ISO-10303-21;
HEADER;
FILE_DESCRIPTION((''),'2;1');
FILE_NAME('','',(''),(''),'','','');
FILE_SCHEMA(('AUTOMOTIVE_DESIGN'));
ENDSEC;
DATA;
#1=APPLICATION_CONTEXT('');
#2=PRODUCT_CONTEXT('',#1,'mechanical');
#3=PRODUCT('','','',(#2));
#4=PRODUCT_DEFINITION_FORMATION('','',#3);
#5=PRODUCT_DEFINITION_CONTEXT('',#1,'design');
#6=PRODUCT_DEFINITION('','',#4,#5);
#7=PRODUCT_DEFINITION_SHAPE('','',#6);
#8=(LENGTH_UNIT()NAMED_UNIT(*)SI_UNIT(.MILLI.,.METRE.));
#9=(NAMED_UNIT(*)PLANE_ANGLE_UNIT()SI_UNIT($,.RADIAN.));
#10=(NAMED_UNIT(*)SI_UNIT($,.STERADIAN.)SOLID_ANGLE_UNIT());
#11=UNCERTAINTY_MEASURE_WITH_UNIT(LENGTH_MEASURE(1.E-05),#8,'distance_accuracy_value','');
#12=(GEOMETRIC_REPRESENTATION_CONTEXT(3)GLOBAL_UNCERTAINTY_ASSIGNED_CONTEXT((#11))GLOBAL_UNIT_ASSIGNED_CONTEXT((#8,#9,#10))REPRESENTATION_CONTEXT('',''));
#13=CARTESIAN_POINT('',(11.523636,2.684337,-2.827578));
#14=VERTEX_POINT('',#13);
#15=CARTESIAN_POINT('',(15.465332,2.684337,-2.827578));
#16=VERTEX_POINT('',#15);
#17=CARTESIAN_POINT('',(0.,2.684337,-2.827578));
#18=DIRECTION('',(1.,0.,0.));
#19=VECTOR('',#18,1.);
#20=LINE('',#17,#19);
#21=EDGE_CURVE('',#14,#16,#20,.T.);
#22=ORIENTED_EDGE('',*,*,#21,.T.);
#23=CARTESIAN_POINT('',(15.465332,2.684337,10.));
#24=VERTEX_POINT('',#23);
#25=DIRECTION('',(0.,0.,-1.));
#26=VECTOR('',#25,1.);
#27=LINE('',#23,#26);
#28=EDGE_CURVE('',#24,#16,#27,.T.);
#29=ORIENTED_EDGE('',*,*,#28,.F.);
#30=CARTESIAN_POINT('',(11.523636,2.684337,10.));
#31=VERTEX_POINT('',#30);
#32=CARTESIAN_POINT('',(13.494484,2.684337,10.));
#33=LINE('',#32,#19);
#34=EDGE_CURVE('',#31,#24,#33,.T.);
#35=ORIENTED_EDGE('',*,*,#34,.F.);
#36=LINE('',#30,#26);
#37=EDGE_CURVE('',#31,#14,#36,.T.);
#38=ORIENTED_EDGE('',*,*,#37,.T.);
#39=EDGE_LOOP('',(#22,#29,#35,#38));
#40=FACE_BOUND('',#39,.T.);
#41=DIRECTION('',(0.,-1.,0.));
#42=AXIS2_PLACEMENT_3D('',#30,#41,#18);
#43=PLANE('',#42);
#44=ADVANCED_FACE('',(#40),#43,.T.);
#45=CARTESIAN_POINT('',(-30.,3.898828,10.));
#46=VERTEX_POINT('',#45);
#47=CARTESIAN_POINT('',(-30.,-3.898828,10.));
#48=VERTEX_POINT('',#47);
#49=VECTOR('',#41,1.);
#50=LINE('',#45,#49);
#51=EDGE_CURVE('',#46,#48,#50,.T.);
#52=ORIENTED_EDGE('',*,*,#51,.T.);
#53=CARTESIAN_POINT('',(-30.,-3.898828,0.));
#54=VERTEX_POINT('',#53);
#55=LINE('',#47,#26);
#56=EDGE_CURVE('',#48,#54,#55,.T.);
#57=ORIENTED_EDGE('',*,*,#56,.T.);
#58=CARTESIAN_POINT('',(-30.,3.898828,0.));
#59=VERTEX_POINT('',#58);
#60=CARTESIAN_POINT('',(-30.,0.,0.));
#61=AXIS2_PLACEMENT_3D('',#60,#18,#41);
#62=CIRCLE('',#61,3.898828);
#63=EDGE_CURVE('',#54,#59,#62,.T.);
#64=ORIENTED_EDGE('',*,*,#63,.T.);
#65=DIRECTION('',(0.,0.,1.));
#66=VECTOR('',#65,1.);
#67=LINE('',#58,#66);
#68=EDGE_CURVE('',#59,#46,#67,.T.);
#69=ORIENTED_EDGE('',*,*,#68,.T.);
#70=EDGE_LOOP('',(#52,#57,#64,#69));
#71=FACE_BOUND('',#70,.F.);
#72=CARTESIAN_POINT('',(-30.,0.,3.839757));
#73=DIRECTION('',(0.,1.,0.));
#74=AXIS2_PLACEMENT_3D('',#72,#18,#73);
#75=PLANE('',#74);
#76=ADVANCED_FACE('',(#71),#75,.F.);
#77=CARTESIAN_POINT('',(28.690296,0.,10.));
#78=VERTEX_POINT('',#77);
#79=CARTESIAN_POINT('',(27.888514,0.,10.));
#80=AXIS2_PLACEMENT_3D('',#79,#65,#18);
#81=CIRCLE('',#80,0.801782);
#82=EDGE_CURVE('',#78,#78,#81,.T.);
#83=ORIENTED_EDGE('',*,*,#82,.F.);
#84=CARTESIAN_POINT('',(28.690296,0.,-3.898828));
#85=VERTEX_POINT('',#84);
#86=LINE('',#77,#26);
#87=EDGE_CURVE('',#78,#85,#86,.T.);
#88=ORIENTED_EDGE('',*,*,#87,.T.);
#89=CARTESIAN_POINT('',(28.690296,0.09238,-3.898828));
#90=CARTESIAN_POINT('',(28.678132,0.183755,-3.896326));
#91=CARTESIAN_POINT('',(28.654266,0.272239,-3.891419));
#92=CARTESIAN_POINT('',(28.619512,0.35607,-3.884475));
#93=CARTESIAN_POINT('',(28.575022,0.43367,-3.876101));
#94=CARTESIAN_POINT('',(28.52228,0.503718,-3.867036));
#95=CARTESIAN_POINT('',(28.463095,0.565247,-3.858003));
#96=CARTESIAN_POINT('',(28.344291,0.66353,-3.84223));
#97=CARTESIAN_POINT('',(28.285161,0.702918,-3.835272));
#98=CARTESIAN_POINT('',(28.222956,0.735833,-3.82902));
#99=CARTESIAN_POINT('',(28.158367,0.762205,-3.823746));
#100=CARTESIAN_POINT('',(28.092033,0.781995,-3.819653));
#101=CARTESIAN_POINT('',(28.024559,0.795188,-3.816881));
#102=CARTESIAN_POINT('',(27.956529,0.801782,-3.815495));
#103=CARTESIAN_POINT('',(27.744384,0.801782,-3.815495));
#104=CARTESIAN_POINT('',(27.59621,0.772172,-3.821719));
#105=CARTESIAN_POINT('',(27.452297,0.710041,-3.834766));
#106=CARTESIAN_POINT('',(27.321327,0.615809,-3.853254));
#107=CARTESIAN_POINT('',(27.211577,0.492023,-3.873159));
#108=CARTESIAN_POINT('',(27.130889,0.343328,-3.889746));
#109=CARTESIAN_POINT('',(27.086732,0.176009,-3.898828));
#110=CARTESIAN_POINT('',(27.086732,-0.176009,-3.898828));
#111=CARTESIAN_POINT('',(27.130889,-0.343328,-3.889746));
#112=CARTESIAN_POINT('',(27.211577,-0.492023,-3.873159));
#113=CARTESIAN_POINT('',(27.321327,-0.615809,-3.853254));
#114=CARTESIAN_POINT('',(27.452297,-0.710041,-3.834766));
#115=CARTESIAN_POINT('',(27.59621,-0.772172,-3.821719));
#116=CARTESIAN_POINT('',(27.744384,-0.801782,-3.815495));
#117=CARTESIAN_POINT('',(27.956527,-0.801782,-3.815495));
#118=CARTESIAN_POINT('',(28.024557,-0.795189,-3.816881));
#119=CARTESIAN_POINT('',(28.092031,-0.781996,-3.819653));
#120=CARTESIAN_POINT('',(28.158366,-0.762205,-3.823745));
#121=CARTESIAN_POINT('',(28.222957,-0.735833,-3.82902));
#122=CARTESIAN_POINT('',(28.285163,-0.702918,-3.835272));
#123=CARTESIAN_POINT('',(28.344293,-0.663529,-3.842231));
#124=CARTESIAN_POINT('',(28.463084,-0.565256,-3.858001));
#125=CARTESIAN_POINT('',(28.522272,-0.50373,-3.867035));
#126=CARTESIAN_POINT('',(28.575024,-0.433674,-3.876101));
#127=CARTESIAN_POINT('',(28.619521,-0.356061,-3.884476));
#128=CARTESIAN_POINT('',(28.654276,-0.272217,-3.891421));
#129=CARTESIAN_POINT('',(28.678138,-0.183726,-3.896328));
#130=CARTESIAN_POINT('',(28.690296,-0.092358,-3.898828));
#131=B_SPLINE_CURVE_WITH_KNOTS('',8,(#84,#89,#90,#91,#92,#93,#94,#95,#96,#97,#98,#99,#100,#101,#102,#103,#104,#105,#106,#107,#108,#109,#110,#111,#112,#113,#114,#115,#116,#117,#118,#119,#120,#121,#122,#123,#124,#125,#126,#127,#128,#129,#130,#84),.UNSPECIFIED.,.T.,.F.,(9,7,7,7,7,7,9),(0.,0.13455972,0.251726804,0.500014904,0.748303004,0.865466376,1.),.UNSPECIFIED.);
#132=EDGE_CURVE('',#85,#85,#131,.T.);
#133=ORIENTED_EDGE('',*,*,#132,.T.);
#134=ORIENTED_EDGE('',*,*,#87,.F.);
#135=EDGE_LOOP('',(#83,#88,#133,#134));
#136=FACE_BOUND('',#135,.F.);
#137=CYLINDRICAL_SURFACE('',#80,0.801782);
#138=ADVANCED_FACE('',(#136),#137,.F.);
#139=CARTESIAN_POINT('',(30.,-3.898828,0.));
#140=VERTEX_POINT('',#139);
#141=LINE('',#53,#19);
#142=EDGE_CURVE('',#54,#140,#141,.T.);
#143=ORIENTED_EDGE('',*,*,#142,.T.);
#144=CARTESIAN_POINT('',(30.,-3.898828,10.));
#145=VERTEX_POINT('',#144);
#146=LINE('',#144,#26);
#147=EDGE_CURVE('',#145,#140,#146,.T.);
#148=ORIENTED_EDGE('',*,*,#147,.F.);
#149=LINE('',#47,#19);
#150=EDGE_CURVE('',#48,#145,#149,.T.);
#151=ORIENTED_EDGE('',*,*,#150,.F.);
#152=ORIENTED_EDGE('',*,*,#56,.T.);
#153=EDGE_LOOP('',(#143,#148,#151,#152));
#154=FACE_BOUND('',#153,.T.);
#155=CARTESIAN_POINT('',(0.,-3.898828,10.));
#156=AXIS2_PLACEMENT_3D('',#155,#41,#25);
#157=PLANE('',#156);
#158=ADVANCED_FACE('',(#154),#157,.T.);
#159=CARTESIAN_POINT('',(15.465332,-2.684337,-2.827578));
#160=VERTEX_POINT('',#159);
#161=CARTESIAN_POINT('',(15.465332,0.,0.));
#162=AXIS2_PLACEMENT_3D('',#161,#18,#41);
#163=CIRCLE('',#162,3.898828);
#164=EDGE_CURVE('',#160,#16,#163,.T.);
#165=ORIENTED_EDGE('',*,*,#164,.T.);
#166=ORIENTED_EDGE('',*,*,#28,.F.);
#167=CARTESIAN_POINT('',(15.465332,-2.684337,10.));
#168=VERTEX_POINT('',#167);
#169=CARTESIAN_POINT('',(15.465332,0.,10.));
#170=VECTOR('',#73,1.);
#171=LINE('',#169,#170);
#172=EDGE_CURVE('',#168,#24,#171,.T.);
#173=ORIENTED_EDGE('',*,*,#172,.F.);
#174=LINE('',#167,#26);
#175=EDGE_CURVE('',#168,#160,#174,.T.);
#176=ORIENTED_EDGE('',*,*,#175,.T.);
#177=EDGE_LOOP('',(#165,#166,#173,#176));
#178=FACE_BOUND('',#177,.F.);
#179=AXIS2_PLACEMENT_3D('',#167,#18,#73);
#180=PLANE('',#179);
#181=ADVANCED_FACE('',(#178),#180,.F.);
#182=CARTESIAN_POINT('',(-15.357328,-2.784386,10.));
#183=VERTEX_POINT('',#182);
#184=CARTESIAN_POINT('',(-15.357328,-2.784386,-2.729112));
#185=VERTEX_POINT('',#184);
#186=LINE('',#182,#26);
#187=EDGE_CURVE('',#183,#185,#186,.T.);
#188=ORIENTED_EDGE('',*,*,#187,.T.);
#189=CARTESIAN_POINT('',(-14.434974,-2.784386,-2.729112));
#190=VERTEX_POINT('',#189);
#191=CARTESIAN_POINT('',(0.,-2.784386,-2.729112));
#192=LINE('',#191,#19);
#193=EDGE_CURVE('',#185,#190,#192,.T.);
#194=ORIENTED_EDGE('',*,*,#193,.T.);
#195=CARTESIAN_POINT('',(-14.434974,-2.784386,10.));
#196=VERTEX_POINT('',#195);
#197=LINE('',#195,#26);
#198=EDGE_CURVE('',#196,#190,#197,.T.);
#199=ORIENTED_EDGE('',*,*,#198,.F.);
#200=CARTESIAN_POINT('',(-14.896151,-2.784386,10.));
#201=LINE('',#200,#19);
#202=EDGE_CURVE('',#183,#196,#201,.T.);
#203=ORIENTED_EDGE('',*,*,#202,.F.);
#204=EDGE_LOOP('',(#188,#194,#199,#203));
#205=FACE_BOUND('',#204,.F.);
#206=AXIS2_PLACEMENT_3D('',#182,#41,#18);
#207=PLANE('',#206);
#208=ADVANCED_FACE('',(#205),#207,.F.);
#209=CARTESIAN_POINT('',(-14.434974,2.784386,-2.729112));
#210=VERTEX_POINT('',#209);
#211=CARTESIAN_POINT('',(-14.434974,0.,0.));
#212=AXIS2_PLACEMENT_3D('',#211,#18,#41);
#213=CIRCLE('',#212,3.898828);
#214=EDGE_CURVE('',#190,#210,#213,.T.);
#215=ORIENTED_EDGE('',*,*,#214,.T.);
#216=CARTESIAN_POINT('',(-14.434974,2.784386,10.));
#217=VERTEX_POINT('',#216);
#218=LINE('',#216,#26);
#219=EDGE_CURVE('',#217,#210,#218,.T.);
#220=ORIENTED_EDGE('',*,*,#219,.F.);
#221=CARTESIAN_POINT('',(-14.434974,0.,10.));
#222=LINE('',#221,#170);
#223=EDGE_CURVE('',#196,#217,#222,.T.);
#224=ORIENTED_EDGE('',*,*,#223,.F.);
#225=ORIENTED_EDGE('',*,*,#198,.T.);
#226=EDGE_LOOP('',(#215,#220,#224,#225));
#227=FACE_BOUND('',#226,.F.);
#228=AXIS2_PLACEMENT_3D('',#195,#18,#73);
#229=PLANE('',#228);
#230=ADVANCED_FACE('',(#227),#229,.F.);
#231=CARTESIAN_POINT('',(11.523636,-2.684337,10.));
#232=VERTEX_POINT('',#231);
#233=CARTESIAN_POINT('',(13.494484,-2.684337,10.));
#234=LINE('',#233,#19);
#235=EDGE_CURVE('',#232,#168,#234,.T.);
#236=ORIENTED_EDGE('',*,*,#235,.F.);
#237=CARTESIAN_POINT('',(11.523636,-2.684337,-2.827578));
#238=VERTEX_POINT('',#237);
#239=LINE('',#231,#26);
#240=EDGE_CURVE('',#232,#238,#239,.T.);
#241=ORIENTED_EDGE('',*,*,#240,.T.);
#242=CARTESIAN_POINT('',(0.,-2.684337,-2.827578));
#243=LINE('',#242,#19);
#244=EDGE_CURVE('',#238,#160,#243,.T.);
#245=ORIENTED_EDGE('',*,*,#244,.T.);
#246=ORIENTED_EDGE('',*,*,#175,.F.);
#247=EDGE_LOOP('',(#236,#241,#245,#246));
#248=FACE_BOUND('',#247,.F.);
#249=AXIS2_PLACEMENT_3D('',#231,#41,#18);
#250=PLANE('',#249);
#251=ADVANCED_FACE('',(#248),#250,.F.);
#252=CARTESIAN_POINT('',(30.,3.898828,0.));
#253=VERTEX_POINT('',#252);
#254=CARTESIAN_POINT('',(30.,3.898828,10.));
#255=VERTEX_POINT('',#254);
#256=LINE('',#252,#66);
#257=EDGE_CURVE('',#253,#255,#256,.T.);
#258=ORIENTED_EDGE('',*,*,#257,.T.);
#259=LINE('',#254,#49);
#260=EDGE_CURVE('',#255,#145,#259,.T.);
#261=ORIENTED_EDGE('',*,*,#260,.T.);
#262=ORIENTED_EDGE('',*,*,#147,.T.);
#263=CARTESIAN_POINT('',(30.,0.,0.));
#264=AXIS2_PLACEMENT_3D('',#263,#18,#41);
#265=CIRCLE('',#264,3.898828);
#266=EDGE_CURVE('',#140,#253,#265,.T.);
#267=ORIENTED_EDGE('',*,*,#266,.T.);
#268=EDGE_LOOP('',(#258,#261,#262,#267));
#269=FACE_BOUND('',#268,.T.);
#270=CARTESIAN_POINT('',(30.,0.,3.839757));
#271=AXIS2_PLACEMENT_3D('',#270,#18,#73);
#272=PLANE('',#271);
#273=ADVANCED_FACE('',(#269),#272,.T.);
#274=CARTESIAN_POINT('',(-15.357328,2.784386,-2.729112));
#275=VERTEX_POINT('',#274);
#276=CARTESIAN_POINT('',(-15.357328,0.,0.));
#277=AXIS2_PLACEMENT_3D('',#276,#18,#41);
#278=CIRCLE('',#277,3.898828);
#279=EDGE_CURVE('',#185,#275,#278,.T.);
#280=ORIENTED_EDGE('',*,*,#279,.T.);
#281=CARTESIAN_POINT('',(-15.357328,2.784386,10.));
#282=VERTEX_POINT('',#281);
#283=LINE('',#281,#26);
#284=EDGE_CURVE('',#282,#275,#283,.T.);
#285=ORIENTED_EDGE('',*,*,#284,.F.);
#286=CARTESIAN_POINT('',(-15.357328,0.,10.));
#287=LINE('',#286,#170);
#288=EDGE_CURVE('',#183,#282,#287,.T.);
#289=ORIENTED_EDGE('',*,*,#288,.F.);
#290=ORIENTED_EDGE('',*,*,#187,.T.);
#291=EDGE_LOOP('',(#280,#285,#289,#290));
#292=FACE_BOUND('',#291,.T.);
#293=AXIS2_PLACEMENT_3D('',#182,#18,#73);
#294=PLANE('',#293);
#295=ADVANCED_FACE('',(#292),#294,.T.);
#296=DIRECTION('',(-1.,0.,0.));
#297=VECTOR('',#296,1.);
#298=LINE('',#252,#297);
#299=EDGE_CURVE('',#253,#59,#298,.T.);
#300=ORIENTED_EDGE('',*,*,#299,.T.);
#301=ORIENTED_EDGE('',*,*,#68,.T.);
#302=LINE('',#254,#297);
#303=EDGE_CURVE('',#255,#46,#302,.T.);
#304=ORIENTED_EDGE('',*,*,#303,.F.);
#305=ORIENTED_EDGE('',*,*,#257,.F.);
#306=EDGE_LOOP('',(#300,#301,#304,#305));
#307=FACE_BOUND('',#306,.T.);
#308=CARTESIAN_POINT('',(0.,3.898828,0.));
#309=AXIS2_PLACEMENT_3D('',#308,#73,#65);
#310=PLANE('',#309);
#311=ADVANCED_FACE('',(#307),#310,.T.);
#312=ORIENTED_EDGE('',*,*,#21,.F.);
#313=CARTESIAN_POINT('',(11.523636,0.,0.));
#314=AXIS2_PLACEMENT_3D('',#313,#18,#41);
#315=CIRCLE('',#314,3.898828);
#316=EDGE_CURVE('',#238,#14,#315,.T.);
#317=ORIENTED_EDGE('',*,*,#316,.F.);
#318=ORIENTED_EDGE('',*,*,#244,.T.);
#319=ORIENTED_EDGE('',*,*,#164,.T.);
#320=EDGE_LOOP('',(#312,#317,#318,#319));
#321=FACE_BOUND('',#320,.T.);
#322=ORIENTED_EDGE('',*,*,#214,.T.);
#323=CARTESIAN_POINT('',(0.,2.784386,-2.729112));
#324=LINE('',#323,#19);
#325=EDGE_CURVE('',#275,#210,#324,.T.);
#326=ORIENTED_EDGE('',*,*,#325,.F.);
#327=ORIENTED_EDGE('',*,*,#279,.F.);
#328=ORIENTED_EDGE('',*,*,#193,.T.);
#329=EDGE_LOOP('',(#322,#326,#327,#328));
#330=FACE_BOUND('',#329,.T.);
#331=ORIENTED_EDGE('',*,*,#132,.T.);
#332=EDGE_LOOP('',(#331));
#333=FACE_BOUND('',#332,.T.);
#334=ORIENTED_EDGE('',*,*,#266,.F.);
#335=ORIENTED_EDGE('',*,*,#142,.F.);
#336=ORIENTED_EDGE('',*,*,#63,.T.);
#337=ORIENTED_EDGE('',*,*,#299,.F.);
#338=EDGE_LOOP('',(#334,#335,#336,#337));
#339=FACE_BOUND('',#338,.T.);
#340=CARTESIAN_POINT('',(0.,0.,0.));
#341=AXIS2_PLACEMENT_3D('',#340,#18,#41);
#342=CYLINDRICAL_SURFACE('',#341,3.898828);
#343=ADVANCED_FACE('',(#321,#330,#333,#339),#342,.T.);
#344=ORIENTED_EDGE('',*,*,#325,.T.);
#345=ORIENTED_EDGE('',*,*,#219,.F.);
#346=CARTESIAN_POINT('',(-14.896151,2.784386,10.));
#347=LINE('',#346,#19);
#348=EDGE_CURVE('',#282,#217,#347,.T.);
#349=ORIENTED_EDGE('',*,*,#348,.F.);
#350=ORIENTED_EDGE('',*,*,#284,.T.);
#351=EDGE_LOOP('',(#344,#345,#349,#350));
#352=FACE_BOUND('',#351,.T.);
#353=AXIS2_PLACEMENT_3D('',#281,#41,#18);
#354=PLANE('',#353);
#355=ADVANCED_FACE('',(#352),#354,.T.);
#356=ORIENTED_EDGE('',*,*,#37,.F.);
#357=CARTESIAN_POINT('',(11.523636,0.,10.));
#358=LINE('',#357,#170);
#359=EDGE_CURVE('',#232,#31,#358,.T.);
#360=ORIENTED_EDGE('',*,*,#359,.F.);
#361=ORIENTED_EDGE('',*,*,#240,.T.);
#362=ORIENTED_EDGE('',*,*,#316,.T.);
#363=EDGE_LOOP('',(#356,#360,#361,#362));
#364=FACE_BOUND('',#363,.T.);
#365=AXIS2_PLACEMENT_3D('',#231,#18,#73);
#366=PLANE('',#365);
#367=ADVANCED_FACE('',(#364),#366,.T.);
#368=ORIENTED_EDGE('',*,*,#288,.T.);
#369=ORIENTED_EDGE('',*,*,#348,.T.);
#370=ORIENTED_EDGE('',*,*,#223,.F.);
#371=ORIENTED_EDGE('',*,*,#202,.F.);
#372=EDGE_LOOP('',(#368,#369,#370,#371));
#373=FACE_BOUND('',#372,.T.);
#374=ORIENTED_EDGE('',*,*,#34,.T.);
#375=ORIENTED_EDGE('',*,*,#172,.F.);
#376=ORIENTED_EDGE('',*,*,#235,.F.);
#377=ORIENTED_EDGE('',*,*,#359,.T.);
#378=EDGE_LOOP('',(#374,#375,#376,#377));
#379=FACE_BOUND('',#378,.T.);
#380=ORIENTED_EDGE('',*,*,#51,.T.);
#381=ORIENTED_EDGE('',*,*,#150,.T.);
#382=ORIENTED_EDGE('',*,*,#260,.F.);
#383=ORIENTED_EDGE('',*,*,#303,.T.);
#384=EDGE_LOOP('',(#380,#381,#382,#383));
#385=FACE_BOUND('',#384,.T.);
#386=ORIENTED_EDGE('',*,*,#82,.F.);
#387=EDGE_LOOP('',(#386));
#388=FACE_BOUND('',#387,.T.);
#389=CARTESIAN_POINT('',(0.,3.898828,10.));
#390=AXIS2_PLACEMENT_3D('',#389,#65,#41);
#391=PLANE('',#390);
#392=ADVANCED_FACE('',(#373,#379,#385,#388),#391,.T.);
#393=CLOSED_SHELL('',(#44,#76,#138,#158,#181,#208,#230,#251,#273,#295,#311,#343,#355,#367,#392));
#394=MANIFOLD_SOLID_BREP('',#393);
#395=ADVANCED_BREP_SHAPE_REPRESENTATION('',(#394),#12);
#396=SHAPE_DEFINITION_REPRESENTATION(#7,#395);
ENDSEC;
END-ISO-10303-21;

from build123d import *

# Parameters (mm, degrees)
F1_DEPTH = 30
F2_W     = 0.922354
F2_H     = 5.568772
F5_DEPTH = 13.899828
F3_W     = 3.941696
F3_H     = 5.368674
F6_DEPTH = 13.899828
F4_R     = 0.801782
F7_DEPTH = 13.899828


with BuildPart() as f1:
    # F0 (on Right) → F1 (new body, symmetric)
    with BuildSketch(Plane.YZ):
        with BuildLine():
            Line((3.898828, 10), (0, 10))
            Line((0, 10), (-3.898828, 10))
            Line((-3.898828, 10), (-3.898828, 0))
            ThreePointArc((-3.898828, 0), (0, -3.898828), (3.898828, 0))
            Line((3.898828, 0), (3.898828, 10))
        make_face()
    extrude(amount=F1_DEPTH, both=True)

    # F2 (on face) → F5 (cut, through all)
    with BuildSketch(Plane.XY.offset(10)):
        with Locations((-14.896151, 0)):
            Rectangle(F2_W, F2_H)
    extrude(amount=-F5_DEPTH, mode=Mode.SUBTRACT)

    # F3 (on face) → F6 (cut, through all)
    with BuildSketch(Plane.XY.offset(10)):
        with Locations((13.494484, 0)):
            Rectangle(F3_W, F3_H)
    extrude(amount=-F6_DEPTH, mode=Mode.SUBTRACT)

    # F4 (on face) → F7 (cut, through all)
    with BuildSketch(Plane.XY.offset(10)):
        with Locations((27.888514, 0)):
            Circle(F4_R)
    extrude(amount=-F7_DEPTH, mode=Mode.SUBTRACT)


solid = f1.part
